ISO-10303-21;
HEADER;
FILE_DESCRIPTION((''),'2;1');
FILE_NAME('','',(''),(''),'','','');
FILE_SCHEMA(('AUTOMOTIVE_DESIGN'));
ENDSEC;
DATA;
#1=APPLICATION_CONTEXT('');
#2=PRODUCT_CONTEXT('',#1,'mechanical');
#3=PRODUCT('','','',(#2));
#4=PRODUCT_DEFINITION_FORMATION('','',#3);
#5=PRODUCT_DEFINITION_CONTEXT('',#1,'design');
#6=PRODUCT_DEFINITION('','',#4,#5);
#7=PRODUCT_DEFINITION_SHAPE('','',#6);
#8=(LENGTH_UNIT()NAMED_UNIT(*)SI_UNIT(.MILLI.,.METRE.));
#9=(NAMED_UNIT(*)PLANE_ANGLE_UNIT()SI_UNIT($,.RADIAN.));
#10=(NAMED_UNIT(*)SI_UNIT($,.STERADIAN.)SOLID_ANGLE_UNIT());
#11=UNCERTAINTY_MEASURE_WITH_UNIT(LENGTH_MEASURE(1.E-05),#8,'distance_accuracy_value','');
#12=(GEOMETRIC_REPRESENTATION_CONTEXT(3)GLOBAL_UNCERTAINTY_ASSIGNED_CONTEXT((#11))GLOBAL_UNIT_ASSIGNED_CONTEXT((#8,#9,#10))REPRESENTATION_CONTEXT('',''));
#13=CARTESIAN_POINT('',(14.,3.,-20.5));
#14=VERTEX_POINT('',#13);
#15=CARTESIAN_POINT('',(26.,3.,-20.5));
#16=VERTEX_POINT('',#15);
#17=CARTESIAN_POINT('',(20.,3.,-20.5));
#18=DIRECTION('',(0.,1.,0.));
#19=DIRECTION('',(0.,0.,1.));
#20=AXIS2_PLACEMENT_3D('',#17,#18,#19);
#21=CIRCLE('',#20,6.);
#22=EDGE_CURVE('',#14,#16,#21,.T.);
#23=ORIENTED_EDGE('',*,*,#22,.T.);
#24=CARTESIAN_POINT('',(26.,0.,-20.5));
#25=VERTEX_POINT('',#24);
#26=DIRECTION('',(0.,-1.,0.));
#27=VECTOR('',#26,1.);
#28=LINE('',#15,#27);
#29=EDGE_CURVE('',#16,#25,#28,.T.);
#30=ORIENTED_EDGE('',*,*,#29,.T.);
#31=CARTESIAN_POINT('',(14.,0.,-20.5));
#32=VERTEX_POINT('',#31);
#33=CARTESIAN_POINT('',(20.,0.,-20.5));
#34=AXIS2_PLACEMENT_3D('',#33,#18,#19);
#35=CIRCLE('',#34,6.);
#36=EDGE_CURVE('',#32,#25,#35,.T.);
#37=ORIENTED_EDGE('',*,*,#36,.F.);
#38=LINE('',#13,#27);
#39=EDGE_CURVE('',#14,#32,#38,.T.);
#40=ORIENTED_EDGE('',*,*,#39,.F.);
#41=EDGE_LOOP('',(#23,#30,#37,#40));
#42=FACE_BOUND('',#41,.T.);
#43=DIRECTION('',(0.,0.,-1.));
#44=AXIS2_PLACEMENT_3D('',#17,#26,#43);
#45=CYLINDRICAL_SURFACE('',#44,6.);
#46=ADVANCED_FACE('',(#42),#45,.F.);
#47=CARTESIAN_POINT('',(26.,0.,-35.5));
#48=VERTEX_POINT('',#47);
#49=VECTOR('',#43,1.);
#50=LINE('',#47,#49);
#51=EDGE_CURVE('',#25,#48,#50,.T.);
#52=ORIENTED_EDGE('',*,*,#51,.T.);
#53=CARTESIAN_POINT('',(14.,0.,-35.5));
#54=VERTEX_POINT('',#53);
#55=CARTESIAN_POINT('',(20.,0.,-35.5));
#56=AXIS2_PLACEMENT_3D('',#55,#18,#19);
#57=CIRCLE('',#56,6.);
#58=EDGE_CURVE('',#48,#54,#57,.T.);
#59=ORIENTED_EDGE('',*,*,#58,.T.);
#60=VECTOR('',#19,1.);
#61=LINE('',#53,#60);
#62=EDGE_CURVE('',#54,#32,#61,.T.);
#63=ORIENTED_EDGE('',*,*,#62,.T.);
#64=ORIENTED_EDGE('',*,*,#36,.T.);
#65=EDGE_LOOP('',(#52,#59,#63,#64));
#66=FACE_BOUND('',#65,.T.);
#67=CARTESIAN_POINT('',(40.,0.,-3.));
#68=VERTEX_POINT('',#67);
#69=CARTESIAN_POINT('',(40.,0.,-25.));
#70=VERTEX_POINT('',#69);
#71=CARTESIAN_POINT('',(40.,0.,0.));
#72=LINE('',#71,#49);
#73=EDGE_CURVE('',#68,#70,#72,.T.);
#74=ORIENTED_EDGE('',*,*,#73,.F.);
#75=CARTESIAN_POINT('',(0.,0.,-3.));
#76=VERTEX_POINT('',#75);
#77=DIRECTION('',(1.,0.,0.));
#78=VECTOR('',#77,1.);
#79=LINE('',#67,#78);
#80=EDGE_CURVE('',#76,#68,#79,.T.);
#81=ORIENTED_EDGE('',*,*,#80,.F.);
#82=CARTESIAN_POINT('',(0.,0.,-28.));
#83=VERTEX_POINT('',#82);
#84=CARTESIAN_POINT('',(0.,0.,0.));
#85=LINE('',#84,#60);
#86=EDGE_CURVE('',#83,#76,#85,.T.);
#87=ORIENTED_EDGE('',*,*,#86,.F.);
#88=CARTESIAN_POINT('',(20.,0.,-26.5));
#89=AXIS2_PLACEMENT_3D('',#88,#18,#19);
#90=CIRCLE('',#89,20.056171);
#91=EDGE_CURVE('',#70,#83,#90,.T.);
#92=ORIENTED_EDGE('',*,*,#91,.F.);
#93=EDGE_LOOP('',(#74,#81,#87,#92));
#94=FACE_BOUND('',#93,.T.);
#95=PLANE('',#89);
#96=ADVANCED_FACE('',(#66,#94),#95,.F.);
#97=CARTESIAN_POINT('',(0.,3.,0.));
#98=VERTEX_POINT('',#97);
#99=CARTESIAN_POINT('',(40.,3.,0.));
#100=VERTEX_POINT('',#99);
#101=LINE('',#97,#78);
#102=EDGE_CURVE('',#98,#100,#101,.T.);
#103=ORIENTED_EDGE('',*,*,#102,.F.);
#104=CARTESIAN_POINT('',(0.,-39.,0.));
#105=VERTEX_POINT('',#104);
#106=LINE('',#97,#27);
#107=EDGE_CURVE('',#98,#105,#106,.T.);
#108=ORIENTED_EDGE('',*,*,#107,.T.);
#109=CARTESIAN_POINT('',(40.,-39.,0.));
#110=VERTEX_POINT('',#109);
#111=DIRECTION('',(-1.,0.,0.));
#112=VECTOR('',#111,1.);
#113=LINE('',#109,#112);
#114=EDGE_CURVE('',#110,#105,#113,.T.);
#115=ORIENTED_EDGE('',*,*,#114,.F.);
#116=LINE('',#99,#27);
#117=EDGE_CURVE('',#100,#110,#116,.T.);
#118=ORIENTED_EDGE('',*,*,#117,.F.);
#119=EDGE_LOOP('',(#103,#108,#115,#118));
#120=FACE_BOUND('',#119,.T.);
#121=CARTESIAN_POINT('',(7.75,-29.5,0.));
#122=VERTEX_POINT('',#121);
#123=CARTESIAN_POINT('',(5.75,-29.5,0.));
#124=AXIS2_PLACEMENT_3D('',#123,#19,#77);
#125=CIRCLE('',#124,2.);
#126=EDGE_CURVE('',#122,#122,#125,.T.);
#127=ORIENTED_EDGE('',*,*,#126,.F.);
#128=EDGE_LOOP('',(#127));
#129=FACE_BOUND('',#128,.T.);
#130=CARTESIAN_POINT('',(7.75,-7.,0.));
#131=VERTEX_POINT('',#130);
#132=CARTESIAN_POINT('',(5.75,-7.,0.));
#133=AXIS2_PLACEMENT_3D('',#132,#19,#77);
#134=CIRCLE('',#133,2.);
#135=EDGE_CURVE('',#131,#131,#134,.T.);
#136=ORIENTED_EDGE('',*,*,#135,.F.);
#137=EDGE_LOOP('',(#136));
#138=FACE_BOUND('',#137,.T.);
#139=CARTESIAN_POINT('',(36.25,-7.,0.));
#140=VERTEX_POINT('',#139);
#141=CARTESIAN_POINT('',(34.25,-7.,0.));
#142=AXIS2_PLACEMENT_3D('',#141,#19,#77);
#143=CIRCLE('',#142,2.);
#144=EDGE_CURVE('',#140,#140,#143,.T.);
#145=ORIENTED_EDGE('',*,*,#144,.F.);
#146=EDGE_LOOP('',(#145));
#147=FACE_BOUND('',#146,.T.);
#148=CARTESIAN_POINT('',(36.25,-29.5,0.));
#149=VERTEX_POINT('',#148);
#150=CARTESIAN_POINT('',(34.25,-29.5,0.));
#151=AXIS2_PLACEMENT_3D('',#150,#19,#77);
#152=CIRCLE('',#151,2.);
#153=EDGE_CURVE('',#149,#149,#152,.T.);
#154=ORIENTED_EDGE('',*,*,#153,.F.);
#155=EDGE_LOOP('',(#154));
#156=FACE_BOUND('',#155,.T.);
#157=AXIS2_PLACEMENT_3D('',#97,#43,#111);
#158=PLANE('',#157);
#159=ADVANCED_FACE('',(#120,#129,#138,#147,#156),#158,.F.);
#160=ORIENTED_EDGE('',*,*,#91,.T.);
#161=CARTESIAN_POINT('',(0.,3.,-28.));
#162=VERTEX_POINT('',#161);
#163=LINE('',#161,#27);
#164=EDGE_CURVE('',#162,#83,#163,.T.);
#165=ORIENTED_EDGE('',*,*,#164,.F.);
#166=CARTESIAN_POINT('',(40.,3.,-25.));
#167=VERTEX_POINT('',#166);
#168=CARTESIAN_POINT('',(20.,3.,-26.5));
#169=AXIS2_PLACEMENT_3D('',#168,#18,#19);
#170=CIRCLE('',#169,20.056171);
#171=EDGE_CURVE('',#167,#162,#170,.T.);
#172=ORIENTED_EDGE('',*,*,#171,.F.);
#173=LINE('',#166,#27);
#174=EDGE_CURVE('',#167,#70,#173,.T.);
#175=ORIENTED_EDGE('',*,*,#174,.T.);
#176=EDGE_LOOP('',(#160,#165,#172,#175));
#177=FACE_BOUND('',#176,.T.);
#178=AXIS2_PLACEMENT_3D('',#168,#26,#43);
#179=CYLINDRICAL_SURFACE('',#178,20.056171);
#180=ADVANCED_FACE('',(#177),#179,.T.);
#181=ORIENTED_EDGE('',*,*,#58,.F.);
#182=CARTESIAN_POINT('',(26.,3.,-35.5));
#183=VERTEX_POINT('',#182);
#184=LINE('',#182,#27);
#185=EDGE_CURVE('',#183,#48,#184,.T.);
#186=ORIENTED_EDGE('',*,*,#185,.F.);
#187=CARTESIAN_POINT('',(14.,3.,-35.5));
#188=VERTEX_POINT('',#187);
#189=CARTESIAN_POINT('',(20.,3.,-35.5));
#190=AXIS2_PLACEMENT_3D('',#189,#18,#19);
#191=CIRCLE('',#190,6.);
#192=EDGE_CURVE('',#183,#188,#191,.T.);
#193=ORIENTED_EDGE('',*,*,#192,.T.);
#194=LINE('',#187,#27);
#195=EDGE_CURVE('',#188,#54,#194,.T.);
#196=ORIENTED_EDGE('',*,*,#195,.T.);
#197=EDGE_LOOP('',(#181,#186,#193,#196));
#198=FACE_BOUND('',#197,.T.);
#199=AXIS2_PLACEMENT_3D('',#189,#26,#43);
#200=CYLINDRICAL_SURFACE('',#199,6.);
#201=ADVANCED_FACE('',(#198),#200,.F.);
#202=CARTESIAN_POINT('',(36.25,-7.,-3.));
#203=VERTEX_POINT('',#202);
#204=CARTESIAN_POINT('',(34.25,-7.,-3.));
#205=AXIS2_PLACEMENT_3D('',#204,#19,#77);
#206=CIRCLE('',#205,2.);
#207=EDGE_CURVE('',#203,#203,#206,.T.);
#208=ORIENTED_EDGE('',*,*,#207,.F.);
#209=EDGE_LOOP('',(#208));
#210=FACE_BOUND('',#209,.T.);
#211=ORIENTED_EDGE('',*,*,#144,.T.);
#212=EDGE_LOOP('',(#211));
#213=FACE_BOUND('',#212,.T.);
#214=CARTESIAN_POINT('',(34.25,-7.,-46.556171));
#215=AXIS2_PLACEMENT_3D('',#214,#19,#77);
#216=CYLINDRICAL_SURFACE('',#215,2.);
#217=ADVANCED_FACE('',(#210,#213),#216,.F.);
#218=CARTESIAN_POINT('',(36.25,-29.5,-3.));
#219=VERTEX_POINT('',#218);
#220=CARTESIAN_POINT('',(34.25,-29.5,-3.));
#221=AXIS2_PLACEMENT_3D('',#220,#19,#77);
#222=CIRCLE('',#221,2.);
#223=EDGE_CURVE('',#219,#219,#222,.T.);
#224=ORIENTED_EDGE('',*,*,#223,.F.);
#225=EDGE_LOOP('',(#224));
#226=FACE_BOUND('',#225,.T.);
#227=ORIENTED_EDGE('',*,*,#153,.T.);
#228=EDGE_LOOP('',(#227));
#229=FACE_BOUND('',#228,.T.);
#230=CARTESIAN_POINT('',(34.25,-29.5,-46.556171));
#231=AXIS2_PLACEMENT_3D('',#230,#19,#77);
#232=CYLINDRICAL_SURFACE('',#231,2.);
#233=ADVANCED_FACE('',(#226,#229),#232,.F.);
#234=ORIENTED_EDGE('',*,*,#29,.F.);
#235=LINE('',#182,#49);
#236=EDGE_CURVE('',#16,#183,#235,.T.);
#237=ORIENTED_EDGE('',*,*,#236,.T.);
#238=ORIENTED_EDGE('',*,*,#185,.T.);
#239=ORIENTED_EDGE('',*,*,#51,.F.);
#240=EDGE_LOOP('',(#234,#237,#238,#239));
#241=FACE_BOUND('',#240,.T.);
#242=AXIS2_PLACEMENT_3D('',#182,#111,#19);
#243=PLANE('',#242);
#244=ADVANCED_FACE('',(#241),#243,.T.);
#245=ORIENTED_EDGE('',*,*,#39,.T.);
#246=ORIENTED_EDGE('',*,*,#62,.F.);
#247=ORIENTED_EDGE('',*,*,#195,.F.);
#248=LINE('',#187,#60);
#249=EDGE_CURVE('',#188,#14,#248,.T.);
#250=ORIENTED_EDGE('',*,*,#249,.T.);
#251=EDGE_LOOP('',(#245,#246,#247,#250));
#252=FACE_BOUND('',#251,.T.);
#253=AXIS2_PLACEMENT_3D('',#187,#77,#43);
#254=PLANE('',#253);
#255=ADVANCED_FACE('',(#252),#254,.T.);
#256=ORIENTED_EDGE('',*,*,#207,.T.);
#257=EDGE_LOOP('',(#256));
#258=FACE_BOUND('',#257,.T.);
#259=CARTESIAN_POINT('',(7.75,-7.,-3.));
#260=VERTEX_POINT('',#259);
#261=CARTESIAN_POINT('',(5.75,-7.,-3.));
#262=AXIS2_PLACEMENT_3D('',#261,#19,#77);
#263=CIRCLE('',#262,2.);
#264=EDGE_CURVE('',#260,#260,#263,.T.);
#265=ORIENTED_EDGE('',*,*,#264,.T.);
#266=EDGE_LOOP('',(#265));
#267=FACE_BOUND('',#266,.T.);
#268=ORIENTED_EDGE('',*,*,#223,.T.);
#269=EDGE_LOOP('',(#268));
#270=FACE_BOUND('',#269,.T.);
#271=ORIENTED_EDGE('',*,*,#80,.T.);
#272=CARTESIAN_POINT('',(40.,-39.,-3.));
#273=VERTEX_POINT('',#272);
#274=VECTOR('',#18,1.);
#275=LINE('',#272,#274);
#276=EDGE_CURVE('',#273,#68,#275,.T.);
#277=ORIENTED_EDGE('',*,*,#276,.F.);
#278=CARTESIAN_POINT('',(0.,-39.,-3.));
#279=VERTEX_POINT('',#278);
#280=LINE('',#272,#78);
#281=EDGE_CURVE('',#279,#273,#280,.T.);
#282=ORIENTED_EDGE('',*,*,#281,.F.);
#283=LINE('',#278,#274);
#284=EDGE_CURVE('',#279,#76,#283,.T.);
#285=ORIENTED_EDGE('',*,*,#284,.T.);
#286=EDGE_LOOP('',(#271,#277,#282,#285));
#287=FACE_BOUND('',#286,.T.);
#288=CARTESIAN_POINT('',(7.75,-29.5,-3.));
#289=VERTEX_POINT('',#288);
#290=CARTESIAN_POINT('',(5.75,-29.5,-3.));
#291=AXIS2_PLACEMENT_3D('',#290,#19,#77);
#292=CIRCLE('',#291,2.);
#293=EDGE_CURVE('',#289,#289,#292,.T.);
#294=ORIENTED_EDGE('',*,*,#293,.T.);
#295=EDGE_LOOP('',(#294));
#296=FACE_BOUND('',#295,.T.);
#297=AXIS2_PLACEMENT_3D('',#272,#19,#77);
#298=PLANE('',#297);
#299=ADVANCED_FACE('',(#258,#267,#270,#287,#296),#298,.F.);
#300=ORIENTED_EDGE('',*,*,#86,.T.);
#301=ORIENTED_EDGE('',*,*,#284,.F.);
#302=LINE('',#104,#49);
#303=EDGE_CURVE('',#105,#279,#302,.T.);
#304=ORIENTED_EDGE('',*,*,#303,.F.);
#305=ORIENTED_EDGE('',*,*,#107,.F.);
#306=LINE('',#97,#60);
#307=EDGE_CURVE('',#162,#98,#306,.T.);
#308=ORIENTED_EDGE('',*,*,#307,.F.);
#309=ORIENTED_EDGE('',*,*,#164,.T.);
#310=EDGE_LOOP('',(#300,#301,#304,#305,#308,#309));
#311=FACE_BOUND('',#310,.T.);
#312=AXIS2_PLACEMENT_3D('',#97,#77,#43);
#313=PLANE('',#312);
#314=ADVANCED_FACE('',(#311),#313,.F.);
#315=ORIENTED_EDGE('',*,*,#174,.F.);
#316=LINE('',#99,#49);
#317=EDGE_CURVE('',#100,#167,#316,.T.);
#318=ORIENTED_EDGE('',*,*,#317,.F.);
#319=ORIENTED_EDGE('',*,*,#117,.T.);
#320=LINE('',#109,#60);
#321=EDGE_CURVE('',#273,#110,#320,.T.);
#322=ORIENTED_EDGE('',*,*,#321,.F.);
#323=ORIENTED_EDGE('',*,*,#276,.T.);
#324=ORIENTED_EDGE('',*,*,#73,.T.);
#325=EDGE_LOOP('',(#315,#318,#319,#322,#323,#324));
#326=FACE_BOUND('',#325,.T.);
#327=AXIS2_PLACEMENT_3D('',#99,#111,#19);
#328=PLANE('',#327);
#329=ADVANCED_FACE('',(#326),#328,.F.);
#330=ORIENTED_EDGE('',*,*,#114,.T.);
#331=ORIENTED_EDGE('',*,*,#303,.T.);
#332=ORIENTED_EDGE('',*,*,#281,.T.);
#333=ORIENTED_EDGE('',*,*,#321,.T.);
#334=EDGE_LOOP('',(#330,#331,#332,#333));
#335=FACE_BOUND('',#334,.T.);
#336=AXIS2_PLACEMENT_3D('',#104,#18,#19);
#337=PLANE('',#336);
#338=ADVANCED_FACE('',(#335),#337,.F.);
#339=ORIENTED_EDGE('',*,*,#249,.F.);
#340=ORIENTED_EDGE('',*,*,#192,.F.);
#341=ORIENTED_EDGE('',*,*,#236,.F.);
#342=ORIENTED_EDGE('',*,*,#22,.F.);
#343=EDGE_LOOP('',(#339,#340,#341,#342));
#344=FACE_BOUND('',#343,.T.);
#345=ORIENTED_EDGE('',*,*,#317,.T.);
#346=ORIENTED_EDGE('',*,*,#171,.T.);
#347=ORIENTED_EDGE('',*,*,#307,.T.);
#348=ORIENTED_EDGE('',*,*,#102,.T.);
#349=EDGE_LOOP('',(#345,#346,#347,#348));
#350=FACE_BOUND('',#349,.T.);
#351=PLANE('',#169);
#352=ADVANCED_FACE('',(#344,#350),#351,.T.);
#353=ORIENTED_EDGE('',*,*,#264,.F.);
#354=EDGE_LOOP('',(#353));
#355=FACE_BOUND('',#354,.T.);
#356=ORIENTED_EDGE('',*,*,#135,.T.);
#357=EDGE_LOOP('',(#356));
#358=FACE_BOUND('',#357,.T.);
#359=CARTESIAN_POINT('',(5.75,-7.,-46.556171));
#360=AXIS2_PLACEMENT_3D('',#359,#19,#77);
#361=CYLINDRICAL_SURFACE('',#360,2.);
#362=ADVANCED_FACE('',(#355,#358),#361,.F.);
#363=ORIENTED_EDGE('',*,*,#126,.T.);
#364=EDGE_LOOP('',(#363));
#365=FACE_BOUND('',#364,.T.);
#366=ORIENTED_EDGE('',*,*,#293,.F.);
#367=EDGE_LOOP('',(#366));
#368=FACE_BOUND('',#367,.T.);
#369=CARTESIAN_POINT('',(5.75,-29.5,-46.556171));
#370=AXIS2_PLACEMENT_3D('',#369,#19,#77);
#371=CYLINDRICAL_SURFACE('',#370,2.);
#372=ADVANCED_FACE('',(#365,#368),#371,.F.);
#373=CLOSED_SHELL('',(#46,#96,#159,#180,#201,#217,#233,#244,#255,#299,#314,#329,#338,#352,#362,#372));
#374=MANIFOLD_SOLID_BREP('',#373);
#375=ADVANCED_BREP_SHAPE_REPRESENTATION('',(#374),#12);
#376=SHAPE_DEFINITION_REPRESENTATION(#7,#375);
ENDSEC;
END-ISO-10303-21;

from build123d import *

# Parameters (mm, degrees)
EXTRUDE2_DEPTH = 3
SKETCH3_W      = 40
SKETCH3_H      = 3
EXTRUDE3_DEPTH = 39
SKETCH4_R      = 2
EXTRUDE4_DEPTH = 73.752827534


with BuildPart() as part:
    # Sketch1 → Extrude2 (new body)
    with BuildSketch(Plane(origin=(0, 0, 0), x_dir=(1, 0, 0), z_dir=(0, 1, 0))):
        with BuildLine():
            Line((0, 0), (40, 0))
            Line((40, 0), (40, 25))
            ThreePointArc((40, 25), (21.5, 46.5), (0, 28))
            Line((0, 28), (0, 0))
        make_face()
        with BuildLine():
            Line((26, 35.5), (26, 20.5))
            ThreePointArc((26, 20.5), (20, 14.5), (14, 20.5))
            Line((14, 20.5), (14, 35.5))
            ThreePointArc((14, 35.5), (20, 41.5), (26, 35.5))
        make_face(mode=Mode.SUBTRACT)
    extrude(amount=EXTRUDE2_DEPTH)

    # Sketch3 → Extrude3 (add)
    with BuildSketch(Plane.XZ):
        with Locations((20, -1.5)):
            Rectangle(SKETCH3_W, SKETCH3_H)
    extrude(amount=EXTRUDE3_DEPTH)

    # Sketch4 → Extrude4 (cut, through all)
    with BuildSketch(Plane.XY):
        with Locations((34.25, -7)):
            Circle(SKETCH4_R)
        with Locations((5.75, -7)):
            Circle(SKETCH4_R)
        with Locations((5.75, -29.5)):
            Circle(SKETCH4_R)
        with Locations((34.25, -29.5)):
            Circle(SKETCH4_R)
    extrude(amount=-EXTRUDE4_DEPTH, mode=Mode.SUBTRACT)


solid = part.part
